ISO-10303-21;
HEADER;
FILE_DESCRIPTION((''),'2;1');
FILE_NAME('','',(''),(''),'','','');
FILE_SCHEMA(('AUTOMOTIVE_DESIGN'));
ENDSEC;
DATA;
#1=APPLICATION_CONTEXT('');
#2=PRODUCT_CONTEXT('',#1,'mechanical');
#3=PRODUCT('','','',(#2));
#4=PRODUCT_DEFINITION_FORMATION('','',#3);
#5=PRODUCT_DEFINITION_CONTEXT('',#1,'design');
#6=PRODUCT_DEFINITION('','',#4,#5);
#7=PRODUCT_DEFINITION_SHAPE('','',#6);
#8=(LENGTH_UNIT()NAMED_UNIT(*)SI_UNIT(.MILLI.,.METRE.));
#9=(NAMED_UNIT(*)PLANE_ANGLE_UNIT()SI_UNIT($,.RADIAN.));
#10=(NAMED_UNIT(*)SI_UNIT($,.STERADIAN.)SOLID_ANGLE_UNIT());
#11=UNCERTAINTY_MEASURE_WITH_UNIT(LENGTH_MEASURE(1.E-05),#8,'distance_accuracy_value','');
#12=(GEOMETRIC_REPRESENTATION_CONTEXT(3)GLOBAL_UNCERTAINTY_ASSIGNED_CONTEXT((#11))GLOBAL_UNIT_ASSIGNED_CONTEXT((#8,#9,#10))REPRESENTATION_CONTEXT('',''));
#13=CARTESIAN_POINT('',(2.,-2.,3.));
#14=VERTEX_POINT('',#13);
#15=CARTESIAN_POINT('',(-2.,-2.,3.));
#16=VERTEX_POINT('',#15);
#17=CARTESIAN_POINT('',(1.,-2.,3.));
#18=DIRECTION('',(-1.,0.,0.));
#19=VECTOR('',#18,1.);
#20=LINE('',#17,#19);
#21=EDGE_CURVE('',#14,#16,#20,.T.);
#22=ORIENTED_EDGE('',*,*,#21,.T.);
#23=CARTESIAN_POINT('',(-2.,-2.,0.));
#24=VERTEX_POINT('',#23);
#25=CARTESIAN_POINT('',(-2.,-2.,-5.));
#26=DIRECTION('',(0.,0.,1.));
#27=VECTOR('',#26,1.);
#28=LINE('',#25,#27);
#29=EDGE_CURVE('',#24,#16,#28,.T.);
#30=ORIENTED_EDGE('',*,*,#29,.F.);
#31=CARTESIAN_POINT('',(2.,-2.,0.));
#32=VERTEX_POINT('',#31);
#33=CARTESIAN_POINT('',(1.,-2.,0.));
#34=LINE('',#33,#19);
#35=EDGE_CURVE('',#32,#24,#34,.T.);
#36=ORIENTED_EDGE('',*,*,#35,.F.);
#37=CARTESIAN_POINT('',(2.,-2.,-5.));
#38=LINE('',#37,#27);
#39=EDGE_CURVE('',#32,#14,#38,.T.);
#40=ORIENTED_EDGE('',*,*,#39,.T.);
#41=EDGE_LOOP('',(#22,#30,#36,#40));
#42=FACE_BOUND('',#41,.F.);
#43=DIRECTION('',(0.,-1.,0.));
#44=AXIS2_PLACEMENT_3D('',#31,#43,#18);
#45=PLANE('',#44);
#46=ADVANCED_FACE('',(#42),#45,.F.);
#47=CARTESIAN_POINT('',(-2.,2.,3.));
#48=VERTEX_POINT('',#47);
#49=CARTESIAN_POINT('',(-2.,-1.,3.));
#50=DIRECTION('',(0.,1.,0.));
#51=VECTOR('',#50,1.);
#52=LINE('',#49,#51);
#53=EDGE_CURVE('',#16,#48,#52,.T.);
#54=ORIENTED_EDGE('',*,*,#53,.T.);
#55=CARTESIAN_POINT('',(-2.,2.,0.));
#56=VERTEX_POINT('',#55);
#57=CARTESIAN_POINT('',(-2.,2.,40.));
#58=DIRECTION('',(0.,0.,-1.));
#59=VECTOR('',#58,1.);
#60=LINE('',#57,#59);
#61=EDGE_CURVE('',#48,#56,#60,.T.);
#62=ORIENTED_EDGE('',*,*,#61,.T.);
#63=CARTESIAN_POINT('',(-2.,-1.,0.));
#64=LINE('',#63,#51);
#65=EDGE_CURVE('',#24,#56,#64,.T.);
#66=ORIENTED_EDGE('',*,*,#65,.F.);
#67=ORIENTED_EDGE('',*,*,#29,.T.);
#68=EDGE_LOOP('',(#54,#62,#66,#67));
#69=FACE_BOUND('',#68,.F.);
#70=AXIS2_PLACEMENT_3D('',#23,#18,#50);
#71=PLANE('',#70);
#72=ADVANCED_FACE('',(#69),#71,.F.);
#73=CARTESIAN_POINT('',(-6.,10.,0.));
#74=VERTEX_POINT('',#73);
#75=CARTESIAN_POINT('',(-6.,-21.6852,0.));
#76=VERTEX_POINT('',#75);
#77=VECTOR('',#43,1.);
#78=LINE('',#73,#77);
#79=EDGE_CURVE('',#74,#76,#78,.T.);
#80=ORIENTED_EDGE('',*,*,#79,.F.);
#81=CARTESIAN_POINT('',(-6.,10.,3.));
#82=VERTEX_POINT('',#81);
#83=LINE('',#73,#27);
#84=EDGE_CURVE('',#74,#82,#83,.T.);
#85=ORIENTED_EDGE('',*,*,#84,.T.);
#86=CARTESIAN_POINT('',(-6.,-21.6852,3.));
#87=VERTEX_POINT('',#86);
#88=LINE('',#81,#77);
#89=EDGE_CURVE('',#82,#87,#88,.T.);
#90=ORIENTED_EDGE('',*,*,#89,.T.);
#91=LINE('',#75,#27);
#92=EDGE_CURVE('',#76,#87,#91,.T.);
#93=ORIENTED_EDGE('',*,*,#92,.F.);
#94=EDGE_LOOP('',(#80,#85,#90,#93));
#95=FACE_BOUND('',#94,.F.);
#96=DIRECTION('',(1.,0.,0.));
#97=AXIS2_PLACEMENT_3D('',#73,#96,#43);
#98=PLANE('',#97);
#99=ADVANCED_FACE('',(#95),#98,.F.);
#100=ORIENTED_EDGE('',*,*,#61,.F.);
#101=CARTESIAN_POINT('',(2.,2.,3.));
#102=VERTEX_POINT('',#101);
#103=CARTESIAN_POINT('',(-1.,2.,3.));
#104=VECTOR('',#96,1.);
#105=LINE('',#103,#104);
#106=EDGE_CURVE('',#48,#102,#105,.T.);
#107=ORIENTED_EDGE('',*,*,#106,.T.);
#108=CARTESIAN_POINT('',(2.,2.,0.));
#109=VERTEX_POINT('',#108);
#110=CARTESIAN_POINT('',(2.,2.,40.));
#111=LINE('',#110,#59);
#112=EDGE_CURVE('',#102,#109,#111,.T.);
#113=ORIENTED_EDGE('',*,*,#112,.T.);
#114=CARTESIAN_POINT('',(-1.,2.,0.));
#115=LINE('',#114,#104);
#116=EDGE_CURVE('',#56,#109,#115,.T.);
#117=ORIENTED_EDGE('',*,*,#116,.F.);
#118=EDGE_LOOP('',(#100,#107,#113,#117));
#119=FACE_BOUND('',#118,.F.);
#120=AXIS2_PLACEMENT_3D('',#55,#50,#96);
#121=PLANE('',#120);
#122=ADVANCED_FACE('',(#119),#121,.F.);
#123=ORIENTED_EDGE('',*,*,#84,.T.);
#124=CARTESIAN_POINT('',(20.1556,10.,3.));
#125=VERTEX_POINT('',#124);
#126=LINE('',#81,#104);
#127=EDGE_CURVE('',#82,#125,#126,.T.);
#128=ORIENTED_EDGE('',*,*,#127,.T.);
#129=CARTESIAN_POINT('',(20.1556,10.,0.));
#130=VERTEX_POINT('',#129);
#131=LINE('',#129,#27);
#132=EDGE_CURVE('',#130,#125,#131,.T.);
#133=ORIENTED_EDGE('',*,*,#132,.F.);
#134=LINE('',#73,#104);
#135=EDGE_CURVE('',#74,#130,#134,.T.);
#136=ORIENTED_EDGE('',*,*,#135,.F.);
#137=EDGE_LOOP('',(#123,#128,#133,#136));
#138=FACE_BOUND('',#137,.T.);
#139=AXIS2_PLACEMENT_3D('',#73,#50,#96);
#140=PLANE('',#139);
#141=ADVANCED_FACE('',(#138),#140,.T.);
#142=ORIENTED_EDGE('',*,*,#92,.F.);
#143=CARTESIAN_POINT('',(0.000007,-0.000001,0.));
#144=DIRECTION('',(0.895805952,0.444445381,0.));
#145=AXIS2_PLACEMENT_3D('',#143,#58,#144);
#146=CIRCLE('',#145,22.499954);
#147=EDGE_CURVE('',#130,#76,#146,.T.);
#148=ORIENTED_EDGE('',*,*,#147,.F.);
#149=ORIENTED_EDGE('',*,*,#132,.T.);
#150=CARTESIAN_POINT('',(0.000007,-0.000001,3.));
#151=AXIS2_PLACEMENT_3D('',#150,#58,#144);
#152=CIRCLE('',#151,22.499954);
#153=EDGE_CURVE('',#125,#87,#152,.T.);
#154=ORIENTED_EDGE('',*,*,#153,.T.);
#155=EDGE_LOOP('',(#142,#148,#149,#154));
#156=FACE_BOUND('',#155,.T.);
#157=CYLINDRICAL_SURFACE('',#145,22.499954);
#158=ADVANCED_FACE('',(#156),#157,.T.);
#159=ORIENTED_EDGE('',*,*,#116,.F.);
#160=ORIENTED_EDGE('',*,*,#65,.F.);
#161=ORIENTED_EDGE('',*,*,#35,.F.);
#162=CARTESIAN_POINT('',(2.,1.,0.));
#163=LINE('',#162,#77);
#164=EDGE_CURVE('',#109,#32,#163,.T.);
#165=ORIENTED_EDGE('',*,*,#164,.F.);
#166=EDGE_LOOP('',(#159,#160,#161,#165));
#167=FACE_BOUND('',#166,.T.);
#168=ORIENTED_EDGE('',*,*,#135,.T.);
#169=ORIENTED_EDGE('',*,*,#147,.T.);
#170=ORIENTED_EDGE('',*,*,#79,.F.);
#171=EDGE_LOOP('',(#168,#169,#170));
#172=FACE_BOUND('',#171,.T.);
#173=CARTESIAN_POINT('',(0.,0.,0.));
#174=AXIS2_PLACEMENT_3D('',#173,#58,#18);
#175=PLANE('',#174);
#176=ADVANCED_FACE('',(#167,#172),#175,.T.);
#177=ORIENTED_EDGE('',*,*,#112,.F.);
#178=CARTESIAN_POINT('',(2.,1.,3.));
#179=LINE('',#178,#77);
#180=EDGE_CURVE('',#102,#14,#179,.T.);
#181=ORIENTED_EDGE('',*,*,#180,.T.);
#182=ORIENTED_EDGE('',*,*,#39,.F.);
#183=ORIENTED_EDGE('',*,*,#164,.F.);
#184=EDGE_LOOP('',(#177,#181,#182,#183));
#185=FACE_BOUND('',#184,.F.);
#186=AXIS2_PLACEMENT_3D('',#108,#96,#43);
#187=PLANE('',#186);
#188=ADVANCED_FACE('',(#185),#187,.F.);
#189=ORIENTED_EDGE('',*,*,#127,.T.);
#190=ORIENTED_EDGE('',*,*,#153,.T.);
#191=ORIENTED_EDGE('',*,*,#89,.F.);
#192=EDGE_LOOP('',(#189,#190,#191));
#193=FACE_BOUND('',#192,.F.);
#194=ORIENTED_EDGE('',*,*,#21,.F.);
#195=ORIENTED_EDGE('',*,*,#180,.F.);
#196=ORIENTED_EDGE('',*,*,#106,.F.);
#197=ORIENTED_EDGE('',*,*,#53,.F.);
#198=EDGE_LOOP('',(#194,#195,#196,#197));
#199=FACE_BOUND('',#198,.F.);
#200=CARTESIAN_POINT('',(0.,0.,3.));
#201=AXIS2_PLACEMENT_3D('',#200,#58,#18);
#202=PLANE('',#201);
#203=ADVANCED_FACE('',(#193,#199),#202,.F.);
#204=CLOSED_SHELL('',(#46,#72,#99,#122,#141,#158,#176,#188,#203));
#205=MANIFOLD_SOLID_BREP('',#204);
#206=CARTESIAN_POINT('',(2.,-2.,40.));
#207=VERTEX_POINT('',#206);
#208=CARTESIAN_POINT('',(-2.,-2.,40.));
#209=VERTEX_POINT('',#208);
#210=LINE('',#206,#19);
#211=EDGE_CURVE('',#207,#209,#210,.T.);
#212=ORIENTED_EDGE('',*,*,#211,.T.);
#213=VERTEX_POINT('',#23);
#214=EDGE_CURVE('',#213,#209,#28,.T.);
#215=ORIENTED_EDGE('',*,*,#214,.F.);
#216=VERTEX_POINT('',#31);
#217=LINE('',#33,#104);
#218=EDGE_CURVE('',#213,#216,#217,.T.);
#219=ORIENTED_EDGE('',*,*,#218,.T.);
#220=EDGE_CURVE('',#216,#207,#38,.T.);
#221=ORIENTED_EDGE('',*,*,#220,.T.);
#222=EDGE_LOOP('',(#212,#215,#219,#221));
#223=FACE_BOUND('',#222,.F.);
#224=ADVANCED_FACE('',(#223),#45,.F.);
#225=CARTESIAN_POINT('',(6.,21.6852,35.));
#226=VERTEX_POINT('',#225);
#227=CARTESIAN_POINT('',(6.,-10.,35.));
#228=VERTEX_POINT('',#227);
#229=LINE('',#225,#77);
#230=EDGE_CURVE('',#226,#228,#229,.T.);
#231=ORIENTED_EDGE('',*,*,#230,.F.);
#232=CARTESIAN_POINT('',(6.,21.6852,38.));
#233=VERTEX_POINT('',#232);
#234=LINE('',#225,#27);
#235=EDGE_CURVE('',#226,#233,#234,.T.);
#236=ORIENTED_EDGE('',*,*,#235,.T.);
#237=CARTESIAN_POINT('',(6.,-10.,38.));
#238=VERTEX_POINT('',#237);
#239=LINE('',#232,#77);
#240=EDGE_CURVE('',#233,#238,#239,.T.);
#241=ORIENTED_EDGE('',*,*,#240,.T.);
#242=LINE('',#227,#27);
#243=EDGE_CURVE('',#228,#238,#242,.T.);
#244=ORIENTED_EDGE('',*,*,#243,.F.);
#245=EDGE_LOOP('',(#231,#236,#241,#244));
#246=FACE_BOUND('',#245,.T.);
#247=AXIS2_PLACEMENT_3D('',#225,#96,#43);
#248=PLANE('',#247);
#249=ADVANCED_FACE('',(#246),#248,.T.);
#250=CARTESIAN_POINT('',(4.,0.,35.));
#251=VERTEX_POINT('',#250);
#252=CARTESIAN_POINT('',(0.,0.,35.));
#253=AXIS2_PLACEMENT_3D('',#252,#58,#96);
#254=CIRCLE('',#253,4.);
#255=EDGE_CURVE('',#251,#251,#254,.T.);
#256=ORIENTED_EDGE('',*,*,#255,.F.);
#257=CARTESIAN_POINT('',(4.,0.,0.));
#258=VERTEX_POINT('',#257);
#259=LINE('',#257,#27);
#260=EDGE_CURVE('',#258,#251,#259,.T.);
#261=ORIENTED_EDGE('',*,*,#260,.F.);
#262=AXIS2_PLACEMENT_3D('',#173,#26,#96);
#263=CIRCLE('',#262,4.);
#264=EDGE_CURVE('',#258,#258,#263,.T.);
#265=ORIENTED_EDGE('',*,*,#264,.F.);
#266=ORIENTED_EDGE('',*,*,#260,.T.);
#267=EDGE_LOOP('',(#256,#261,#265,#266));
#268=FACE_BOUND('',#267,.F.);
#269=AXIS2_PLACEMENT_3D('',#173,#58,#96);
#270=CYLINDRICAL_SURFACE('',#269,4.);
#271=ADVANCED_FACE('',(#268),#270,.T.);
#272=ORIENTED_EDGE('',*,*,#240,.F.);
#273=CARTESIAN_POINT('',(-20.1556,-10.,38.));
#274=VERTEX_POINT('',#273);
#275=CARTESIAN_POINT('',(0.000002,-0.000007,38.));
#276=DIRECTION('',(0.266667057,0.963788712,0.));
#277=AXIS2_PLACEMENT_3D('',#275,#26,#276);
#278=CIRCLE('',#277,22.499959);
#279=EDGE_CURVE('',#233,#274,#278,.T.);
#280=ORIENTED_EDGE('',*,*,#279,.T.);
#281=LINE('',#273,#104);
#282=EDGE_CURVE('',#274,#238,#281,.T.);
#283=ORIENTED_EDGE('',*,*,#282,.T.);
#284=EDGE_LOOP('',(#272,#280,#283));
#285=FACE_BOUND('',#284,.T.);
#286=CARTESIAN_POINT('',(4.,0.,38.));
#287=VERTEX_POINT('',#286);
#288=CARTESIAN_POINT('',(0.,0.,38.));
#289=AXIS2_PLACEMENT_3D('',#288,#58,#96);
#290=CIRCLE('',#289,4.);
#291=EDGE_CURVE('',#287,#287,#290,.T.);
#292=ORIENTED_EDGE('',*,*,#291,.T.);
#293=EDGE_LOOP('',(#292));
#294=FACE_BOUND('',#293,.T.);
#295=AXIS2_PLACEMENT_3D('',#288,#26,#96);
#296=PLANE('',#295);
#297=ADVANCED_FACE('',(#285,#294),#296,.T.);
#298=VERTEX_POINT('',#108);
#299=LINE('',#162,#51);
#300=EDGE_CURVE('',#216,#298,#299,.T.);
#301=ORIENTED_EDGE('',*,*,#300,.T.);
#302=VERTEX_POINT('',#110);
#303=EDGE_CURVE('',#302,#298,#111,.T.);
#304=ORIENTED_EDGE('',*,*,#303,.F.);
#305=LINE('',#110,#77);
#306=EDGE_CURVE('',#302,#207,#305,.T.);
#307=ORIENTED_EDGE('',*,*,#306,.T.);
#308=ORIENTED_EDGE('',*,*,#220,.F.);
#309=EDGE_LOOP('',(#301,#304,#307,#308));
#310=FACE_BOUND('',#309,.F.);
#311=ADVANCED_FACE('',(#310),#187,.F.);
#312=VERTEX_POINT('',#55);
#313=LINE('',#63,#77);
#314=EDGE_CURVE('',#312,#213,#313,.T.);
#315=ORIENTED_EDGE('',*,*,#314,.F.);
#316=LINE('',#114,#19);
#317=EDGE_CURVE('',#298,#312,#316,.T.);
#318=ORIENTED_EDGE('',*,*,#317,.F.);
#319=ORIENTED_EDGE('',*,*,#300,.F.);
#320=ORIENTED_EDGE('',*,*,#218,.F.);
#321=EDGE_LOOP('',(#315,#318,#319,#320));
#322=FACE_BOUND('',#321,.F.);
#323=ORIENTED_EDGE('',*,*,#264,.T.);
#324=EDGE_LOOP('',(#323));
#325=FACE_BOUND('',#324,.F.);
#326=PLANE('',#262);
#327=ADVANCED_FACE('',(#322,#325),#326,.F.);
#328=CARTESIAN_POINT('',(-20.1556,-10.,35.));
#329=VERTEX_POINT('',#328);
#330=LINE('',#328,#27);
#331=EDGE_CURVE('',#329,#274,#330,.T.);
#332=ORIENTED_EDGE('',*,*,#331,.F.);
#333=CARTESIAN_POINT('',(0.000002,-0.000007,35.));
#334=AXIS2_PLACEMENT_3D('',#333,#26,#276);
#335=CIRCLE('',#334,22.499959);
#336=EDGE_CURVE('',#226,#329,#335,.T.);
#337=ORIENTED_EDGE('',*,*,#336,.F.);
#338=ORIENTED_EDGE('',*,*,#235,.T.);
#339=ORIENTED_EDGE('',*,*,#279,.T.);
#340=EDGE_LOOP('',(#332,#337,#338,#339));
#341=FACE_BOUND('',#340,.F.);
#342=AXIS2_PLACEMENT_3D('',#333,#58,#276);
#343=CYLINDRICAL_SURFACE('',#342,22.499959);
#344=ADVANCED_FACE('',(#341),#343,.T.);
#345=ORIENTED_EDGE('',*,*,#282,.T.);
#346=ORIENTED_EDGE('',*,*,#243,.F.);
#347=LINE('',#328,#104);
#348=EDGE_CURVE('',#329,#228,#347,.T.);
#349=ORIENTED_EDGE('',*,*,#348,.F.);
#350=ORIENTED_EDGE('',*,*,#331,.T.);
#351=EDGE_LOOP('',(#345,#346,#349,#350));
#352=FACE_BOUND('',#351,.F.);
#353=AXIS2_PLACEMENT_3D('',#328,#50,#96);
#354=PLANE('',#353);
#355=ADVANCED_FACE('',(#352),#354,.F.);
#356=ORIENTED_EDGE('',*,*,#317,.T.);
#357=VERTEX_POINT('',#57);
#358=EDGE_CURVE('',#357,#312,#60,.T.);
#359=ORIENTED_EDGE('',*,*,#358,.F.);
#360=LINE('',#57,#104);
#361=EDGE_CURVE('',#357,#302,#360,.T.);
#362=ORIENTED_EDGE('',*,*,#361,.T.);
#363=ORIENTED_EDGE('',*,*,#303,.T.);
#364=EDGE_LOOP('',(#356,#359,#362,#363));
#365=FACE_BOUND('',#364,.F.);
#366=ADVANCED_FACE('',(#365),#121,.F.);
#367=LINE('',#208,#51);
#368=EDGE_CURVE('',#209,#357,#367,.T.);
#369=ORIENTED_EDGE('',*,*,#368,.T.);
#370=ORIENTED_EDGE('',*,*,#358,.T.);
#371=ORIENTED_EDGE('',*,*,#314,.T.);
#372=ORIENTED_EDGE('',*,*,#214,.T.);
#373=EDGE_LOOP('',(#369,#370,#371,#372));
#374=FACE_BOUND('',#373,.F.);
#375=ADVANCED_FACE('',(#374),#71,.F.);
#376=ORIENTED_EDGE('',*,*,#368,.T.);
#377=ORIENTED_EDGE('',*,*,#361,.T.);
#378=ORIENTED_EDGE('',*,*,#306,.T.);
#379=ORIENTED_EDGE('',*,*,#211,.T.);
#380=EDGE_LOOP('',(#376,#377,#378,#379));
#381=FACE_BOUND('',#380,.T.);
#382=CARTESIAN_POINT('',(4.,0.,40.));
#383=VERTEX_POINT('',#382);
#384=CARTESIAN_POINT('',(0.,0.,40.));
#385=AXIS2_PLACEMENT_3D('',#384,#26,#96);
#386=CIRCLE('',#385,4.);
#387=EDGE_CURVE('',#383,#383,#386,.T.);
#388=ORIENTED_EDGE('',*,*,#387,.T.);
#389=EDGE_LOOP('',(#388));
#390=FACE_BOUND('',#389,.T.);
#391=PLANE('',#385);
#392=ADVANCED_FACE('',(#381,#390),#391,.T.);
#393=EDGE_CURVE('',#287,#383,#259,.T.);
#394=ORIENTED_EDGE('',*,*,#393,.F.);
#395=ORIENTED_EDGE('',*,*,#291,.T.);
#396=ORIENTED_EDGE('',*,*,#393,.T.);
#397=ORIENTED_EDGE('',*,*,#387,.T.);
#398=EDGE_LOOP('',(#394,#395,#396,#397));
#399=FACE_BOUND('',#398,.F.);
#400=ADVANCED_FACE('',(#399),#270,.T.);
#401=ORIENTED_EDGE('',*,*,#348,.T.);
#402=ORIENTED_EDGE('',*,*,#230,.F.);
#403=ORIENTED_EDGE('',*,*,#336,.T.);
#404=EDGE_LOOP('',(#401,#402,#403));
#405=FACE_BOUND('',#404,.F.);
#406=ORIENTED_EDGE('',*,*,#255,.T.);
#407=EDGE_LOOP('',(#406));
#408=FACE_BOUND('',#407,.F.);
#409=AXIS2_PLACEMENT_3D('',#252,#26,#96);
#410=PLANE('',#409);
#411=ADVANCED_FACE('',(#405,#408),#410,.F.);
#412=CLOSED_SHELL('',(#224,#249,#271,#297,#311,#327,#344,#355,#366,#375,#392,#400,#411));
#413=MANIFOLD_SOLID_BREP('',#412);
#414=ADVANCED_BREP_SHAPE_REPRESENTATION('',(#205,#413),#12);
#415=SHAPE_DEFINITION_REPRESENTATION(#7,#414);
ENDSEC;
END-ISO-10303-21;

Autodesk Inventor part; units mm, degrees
ref_plane "YZ Plane" through (0, 0, 0) normal (1, 0, 0) x (0, 1, 0)
ref_plane "XZ Plane" through (0, 0, 0) normal (0, 1, 0) x (-1, 0, 0)
sketch "Sketch1" plane through (0, 0, 0) normal (0, 0, 1) x (1, 0, 0)
  circle A0 centre (0, 0) radius 4
extrude "Extrusion1" add sketch "Sketch1" along normal blind 40
ref_plane "Work Plane5" through (0, 0, 35) normal (0, 0, 1) x (1, 0, 0)
sketch "Sketch5" plane through (0, 0, 35) normal (0, 0, 1) x (1, 0, 0)
  arc A0 (6, 21.6852) -> (-20.1556, -10) centre (0, 0) ccw
  line L0 (-20.1556, -10) -> (6, -10)
  line L1 (6, 21.6852) -> (6, -10)
  dimension "d19" = 45
extrude "Extrusion4" add sketch "Sketch5" along normal blind 3
sketch "Sketch6" plane through (0, 0, 0) normal (0, 0, -1) x (-1, 0, 0)
  arc A0 (-20.1556, 10) -> (6, -21.6852) centre (0, 0) ccw
  line L0 (6, 10) -> (-20.1556, 10)
  line L1 (6, 10) -> (6, -21.6852)
  dimension "d20" = 45
extrude "Extrusion5" add sketch "Sketch6" against normal blind 3 separate body
sketch "Sketch3" plane through (0, 0, 0) normal (0, 0, -1) x (-1, 0, 0)
  line L0 (2, 2) -> (-2, 2)
  line L1 (-2, 2) -> (-2, -2)
  line L2 (-2, -2) -> (2, -2)
  line L3 (2, -2) -> (2, 2)
  line L4 (2, 2) -> (-2, -2) construction
  line L5 (-2, 2) -> (2, -2) construction
  point P0 (0, 0)
  dimension "d5" = 4
  dimension "d6" = 4
extrude "Extrusion3" cut sketch "Sketch3" against normal blind 40 and the other way blind 5 bodies 1 2
properties part number "DispenserAugerV2"
